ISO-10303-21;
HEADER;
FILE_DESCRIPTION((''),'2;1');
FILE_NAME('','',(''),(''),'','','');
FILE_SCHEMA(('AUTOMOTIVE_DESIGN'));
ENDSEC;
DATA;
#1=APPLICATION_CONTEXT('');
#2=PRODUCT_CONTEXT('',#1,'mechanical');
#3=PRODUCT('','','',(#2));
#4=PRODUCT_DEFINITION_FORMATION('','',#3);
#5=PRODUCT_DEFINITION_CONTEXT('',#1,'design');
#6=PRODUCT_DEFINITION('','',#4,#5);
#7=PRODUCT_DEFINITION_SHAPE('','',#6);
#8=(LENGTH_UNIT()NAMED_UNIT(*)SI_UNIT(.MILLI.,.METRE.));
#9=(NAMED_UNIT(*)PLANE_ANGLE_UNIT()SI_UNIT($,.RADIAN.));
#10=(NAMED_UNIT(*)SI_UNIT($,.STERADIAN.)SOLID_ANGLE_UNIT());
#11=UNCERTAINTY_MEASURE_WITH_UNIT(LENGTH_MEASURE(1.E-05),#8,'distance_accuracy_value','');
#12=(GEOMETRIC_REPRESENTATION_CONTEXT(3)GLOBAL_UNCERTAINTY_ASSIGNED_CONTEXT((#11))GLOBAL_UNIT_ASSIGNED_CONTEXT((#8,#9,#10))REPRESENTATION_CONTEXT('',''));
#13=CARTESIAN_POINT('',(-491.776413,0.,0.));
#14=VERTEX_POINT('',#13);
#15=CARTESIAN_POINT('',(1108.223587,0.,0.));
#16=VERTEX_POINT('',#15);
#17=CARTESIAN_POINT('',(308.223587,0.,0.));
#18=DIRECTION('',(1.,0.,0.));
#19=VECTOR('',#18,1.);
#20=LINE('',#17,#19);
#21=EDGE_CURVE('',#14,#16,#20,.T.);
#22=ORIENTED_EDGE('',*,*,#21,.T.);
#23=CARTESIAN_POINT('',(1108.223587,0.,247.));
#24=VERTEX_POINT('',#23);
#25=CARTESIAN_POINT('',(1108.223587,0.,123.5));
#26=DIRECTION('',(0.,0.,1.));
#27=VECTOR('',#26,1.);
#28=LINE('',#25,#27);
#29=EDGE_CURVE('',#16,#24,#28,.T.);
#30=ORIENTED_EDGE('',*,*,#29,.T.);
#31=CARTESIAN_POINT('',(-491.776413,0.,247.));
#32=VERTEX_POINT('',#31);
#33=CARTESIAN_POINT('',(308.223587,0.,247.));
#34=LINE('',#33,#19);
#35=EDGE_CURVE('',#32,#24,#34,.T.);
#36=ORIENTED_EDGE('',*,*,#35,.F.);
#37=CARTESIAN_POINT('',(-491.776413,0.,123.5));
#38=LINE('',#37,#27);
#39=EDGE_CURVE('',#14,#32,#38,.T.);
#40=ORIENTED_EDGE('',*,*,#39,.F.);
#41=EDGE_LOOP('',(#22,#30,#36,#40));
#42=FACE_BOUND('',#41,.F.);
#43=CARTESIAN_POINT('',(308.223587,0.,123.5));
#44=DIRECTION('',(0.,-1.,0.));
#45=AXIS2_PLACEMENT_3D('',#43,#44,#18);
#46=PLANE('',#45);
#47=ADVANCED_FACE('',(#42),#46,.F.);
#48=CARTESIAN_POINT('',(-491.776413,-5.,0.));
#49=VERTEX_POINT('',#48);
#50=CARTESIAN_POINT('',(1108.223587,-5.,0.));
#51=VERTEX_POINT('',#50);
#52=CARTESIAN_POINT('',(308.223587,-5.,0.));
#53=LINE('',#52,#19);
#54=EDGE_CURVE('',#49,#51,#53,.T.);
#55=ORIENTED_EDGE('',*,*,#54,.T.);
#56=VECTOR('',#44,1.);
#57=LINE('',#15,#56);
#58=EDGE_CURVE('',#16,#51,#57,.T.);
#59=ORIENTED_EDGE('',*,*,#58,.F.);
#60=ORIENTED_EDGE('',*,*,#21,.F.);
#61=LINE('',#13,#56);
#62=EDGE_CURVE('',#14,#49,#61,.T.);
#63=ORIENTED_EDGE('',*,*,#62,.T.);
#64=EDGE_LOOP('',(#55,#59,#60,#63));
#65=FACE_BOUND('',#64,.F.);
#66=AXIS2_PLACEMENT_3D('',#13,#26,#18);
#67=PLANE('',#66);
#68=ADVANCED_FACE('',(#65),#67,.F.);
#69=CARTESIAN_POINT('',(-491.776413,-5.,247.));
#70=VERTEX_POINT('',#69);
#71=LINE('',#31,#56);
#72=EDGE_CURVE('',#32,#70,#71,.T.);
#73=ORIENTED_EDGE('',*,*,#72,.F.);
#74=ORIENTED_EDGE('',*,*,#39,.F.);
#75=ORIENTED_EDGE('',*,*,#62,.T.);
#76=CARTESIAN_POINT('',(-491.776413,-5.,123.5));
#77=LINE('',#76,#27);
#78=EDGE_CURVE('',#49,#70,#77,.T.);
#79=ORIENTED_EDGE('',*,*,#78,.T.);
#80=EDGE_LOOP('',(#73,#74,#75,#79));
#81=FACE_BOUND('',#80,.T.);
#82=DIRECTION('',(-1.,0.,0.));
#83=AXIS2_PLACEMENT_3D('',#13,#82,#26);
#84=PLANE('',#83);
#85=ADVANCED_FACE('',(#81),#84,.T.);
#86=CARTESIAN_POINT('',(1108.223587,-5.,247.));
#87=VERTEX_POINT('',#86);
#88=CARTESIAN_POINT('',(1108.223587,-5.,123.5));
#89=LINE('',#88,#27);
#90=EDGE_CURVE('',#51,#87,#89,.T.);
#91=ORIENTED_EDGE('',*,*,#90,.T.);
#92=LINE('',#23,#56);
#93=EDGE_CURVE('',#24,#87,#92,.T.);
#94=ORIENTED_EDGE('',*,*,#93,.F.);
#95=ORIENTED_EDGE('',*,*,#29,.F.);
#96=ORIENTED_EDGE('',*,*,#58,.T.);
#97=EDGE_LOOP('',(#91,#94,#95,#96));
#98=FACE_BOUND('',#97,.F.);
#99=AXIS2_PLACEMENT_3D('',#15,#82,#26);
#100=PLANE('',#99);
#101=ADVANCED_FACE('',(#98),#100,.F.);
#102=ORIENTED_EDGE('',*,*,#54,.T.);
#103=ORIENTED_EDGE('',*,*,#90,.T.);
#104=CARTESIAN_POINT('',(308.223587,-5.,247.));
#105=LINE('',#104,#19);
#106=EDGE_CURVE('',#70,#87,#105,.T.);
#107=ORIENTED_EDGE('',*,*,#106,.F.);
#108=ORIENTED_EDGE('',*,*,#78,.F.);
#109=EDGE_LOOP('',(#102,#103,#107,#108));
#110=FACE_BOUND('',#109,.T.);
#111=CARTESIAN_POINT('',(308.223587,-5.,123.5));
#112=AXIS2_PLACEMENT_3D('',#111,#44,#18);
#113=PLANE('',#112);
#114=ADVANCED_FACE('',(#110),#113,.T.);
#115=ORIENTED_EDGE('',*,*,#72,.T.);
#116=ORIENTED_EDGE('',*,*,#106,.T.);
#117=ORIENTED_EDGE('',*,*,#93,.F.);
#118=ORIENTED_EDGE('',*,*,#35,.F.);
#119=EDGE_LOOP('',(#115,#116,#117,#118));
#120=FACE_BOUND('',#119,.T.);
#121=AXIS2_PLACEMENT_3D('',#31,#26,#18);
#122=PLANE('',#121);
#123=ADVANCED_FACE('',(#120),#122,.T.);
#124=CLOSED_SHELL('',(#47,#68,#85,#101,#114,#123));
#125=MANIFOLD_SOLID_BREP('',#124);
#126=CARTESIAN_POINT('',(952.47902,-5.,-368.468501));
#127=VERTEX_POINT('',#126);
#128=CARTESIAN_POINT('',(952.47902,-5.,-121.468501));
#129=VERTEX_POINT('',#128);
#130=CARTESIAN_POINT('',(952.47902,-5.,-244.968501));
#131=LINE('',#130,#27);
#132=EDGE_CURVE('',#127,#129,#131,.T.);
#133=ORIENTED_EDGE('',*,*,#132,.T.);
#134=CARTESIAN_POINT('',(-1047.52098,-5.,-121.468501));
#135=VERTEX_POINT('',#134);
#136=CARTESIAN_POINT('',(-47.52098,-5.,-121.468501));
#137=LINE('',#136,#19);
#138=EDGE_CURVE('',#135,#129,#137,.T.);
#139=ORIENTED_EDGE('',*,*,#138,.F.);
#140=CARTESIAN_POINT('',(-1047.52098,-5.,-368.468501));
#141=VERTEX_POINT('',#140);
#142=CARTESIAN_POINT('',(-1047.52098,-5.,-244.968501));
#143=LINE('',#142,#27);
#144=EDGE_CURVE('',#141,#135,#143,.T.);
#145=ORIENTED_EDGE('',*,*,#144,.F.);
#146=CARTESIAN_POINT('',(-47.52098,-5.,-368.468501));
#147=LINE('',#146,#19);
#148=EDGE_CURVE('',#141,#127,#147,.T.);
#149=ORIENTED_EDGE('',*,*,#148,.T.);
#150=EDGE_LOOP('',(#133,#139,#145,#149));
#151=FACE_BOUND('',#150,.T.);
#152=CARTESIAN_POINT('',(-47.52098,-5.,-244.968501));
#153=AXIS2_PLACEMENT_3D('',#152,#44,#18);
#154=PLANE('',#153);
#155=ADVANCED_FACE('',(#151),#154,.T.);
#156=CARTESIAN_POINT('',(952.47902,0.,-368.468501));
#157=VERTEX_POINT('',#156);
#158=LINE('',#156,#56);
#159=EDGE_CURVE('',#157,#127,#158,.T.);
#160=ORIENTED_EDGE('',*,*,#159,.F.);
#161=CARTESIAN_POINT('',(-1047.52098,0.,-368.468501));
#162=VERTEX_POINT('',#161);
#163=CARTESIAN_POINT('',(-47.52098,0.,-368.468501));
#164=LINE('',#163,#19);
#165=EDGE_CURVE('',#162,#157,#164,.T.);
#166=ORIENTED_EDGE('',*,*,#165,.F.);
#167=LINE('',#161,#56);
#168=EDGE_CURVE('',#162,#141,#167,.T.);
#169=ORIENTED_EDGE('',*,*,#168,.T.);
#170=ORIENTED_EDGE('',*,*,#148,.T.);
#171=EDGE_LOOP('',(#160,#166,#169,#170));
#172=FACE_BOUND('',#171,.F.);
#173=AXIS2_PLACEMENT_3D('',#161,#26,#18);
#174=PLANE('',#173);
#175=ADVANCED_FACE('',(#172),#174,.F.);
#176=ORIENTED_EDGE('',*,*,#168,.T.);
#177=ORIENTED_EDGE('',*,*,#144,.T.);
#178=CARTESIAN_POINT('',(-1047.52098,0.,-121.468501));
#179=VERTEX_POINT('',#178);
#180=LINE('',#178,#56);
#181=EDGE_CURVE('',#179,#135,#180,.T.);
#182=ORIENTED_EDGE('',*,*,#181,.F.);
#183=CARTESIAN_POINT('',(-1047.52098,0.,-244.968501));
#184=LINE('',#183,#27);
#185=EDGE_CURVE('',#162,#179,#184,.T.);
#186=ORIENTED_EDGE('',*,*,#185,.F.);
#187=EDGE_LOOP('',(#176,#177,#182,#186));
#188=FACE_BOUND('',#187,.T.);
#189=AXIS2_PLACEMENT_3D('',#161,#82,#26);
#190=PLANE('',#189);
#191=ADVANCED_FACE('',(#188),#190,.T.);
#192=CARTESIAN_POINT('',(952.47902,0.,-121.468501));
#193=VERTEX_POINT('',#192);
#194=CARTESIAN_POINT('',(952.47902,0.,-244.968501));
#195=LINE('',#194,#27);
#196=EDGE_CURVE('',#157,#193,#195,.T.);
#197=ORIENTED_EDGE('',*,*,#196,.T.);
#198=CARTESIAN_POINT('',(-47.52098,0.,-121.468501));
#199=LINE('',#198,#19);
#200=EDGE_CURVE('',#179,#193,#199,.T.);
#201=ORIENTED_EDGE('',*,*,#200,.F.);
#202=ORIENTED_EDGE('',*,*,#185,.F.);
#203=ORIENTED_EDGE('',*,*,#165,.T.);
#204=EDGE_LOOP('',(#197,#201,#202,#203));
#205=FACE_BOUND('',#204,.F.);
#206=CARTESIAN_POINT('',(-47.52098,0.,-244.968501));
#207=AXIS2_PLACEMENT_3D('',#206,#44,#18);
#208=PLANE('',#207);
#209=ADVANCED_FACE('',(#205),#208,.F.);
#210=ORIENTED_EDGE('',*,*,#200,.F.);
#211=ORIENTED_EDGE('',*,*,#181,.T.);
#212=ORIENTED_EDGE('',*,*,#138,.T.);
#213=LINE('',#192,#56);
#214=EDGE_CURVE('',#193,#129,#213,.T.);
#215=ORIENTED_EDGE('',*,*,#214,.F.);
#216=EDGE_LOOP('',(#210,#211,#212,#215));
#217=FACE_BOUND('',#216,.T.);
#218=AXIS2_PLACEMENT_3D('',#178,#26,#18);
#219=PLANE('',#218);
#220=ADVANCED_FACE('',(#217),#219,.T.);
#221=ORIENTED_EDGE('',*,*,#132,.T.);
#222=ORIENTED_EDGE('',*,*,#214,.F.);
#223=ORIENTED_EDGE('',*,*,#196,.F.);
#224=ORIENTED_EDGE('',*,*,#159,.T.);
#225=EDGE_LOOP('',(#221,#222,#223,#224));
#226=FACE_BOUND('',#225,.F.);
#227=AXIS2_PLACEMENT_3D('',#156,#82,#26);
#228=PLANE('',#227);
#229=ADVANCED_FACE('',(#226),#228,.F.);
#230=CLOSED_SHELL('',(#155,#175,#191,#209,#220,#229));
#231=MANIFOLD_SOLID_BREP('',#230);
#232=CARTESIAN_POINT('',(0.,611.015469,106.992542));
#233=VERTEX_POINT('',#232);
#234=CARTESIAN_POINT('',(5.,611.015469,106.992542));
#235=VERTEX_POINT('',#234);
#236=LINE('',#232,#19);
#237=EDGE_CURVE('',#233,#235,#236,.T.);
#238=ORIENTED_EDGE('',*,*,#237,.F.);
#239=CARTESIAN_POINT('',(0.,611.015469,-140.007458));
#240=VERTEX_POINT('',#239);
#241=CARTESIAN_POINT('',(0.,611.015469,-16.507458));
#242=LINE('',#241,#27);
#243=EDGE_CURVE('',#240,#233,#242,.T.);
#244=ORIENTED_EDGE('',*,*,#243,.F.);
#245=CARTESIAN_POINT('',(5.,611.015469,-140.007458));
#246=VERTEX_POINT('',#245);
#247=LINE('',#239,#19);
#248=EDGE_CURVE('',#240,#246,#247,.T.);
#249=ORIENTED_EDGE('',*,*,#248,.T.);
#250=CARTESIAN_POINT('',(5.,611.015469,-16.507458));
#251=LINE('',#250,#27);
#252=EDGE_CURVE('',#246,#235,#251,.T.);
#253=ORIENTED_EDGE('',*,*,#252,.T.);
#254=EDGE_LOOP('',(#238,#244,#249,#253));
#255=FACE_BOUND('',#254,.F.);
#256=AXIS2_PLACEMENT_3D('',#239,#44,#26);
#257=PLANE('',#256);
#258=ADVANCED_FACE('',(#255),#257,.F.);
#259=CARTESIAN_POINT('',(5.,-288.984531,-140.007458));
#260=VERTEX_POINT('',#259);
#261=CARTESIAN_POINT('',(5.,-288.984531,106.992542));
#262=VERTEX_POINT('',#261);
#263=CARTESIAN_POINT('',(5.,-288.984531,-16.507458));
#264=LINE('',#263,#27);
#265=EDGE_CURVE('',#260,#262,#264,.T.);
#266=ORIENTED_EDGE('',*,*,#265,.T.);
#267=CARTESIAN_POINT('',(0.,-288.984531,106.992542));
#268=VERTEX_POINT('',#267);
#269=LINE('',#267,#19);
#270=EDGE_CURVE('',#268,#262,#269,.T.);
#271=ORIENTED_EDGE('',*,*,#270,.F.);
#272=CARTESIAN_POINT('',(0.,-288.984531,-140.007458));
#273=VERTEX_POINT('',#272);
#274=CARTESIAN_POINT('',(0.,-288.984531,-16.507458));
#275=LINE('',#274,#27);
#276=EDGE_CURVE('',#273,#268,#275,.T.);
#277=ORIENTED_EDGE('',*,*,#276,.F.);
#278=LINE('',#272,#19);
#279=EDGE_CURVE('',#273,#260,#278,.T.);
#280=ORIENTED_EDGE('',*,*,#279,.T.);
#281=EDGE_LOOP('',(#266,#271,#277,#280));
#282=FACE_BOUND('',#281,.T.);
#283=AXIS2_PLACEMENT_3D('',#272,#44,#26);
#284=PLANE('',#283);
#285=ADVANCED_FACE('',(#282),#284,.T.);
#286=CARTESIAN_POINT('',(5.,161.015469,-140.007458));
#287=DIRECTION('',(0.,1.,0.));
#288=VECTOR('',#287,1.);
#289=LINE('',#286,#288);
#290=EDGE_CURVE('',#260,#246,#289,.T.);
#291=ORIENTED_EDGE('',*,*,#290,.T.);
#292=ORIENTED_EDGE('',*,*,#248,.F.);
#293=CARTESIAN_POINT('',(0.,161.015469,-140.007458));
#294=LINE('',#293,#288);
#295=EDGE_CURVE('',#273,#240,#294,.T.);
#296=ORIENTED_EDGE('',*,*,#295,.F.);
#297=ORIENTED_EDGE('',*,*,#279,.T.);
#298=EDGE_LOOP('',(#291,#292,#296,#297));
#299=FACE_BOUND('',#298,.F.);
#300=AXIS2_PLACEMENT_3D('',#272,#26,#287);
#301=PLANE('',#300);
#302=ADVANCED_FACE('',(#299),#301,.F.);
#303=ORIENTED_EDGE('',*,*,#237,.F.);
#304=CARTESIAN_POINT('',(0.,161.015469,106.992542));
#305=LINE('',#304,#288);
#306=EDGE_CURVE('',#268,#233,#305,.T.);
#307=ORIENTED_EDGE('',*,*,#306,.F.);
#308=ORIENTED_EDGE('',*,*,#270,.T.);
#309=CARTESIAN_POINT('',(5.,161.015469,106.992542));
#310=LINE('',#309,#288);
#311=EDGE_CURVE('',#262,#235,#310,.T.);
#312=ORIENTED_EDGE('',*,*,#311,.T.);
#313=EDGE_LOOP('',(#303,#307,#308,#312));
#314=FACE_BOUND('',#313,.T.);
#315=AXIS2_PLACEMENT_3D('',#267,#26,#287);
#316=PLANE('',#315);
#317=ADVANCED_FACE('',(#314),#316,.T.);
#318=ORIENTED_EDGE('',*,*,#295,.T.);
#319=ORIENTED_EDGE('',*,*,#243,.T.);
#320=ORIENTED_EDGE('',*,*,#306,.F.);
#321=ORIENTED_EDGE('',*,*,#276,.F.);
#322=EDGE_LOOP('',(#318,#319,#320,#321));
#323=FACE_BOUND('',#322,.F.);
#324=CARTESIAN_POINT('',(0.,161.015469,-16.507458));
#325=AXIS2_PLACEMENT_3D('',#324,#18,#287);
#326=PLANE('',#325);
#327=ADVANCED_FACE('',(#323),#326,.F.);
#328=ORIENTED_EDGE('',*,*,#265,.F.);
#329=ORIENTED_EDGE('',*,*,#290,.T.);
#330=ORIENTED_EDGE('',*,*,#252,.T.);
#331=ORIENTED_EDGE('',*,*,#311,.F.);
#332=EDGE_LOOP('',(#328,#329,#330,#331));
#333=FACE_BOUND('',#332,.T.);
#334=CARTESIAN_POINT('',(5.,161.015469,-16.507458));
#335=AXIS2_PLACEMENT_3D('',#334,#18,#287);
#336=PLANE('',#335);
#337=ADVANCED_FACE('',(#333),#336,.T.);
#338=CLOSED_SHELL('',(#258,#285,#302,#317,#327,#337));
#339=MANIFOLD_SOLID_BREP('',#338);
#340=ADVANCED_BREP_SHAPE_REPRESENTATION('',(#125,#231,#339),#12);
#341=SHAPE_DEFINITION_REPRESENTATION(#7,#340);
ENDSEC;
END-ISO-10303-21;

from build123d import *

# Parameters (mm, degrees)
F0_W     = 2000
F0_H     = 247
F1_DEPTH = 5
F2_W     = 900
F2_H     = 247
F4_DEPTH = 5
F3_W     = 1600
F3_H     = 247
F5_DEPTH = 5


with BuildPart() as f1:
    # F0 (on Front) → F1 (new body)
    with BuildSketch(Plane.XZ):
        with Locations((-47.52098, -244.968501)):
            Rectangle(F0_W, F0_H)
    extrude(amount=F1_DEPTH)


with BuildPart() as f4:
    # F2 (on Right) → F4 (new body)
    with BuildSketch(Plane.YZ):
        with Locations((161.015469, -16.507458)):
            Rectangle(F2_W, F2_H)
    extrude(amount=F4_DEPTH)


with BuildPart() as f5:
    # F3 (on Front) → F5 (new body)
    with BuildSketch(Plane.XZ):
        with Locations((308.223587, 123.5)):
            Rectangle(F3_W, F3_H)
    extrude(amount=F5_DEPTH)


solid = Compound([f1.part, f4.part, f5.part])
